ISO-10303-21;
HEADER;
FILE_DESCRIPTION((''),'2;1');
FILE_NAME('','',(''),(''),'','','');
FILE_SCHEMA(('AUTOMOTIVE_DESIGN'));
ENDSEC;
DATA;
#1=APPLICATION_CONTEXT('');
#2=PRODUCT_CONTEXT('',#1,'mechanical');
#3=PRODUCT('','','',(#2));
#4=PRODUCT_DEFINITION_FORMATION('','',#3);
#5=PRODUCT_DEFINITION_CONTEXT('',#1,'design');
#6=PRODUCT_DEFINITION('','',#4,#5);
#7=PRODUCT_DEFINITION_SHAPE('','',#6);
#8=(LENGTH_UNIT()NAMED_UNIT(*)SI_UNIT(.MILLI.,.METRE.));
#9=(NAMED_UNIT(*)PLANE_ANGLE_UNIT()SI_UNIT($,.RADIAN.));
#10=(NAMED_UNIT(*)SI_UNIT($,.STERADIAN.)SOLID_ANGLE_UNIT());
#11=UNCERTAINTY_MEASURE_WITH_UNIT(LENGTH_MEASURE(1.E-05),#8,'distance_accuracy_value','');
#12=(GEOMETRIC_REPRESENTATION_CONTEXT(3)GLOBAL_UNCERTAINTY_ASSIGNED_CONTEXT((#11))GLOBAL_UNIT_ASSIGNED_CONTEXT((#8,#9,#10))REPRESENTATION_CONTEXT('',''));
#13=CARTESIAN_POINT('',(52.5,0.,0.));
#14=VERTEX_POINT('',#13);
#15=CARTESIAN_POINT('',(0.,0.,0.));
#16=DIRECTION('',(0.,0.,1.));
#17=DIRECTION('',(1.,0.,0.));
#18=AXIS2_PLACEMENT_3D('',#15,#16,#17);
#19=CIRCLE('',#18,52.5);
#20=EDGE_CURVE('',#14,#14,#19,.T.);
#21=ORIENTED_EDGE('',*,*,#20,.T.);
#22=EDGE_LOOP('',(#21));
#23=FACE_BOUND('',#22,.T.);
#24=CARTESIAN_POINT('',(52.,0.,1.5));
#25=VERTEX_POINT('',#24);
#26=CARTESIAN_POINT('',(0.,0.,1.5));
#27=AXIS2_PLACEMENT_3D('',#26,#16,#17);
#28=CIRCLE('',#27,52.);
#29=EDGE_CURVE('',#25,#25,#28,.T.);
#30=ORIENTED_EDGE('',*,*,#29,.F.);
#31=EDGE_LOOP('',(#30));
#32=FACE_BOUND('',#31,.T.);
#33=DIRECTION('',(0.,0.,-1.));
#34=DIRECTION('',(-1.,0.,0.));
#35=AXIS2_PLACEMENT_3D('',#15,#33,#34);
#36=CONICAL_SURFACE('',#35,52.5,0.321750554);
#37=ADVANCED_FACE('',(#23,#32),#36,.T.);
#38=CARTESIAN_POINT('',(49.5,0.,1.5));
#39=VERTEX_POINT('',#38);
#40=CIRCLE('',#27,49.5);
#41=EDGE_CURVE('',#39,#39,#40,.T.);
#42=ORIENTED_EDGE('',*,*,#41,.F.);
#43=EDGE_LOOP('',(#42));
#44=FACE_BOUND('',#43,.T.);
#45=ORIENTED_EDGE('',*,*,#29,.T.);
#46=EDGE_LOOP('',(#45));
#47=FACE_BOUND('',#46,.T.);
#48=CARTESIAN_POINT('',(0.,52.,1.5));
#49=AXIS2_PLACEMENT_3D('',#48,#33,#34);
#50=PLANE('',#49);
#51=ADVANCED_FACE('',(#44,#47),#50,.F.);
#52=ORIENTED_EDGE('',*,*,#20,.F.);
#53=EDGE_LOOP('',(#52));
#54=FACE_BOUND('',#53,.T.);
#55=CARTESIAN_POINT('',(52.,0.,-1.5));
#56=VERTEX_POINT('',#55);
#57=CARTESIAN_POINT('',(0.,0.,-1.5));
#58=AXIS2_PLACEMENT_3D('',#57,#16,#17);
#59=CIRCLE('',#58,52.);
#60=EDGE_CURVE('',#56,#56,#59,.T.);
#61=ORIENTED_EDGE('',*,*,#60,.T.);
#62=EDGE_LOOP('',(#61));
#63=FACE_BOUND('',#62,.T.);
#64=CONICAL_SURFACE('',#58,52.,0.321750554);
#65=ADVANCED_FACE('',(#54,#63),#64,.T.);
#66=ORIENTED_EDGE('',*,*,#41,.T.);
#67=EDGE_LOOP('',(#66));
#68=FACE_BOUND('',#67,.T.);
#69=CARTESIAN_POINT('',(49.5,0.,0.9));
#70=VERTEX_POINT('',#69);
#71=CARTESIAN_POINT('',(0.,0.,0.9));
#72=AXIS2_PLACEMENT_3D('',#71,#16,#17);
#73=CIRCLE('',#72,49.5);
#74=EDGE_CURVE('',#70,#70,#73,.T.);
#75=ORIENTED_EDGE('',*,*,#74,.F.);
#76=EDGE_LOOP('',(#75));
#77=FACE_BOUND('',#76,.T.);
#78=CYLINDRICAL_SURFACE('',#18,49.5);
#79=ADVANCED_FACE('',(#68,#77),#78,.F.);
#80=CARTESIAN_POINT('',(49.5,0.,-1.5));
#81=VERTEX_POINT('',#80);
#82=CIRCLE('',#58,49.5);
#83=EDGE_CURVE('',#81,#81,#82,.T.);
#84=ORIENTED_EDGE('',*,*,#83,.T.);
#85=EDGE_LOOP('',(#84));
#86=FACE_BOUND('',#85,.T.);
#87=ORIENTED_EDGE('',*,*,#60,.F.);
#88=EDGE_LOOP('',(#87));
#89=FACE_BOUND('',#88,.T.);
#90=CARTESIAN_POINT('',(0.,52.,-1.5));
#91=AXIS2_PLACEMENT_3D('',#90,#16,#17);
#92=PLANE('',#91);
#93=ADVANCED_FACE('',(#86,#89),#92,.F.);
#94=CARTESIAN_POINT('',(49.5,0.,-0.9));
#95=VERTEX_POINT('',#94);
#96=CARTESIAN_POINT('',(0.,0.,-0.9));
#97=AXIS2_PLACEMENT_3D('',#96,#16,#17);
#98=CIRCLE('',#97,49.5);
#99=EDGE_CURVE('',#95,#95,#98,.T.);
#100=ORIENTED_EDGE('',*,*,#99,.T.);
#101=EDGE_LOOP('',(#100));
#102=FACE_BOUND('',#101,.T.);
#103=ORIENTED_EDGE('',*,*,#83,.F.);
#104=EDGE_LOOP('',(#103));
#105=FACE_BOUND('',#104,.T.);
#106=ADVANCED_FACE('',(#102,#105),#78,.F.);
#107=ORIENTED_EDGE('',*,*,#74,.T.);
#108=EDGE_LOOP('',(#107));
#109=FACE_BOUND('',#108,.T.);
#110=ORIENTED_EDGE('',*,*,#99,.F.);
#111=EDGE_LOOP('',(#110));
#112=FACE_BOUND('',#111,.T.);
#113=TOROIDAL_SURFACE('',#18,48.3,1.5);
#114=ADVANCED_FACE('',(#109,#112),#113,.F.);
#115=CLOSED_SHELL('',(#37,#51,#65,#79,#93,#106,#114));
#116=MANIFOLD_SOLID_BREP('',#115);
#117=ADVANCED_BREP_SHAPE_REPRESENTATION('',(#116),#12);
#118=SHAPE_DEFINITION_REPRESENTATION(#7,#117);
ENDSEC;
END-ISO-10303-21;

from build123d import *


with BuildPart() as part:
    # Sketch1 → Revolve1 (revolve)
    with BuildSketch(Plane(origin=(0, 0, 0), x_dir=(0, 0, -1), z_dir=(1, 0, 0)), mode=Mode.PRIVATE) as revolve1_sk:
        with BuildLine():
            Line((0, 52.5), (1.5, 52))
            Line((1.5, 52), (1.5, 49.5))
            Line((1.5, 49.5), (0.9, 49.5))
            ThreePointArc((0.9, 49.5), (0, 49.8), (-0.9, 49.5))
            Line((-0.9, 49.5), (-1.5, 49.5))
            Line((-1.5, 49.5), (-1.5, 52))
            Line((-1.5, 52), (0, 52.5))
        make_face()
    revolve(revolve1_sk.sketch.rotate(Axis((0, 0, 0), (0, 0, -1)), 90), axis=Axis((0, 0, 0), (0, 0, -1)))


solid = part.part
